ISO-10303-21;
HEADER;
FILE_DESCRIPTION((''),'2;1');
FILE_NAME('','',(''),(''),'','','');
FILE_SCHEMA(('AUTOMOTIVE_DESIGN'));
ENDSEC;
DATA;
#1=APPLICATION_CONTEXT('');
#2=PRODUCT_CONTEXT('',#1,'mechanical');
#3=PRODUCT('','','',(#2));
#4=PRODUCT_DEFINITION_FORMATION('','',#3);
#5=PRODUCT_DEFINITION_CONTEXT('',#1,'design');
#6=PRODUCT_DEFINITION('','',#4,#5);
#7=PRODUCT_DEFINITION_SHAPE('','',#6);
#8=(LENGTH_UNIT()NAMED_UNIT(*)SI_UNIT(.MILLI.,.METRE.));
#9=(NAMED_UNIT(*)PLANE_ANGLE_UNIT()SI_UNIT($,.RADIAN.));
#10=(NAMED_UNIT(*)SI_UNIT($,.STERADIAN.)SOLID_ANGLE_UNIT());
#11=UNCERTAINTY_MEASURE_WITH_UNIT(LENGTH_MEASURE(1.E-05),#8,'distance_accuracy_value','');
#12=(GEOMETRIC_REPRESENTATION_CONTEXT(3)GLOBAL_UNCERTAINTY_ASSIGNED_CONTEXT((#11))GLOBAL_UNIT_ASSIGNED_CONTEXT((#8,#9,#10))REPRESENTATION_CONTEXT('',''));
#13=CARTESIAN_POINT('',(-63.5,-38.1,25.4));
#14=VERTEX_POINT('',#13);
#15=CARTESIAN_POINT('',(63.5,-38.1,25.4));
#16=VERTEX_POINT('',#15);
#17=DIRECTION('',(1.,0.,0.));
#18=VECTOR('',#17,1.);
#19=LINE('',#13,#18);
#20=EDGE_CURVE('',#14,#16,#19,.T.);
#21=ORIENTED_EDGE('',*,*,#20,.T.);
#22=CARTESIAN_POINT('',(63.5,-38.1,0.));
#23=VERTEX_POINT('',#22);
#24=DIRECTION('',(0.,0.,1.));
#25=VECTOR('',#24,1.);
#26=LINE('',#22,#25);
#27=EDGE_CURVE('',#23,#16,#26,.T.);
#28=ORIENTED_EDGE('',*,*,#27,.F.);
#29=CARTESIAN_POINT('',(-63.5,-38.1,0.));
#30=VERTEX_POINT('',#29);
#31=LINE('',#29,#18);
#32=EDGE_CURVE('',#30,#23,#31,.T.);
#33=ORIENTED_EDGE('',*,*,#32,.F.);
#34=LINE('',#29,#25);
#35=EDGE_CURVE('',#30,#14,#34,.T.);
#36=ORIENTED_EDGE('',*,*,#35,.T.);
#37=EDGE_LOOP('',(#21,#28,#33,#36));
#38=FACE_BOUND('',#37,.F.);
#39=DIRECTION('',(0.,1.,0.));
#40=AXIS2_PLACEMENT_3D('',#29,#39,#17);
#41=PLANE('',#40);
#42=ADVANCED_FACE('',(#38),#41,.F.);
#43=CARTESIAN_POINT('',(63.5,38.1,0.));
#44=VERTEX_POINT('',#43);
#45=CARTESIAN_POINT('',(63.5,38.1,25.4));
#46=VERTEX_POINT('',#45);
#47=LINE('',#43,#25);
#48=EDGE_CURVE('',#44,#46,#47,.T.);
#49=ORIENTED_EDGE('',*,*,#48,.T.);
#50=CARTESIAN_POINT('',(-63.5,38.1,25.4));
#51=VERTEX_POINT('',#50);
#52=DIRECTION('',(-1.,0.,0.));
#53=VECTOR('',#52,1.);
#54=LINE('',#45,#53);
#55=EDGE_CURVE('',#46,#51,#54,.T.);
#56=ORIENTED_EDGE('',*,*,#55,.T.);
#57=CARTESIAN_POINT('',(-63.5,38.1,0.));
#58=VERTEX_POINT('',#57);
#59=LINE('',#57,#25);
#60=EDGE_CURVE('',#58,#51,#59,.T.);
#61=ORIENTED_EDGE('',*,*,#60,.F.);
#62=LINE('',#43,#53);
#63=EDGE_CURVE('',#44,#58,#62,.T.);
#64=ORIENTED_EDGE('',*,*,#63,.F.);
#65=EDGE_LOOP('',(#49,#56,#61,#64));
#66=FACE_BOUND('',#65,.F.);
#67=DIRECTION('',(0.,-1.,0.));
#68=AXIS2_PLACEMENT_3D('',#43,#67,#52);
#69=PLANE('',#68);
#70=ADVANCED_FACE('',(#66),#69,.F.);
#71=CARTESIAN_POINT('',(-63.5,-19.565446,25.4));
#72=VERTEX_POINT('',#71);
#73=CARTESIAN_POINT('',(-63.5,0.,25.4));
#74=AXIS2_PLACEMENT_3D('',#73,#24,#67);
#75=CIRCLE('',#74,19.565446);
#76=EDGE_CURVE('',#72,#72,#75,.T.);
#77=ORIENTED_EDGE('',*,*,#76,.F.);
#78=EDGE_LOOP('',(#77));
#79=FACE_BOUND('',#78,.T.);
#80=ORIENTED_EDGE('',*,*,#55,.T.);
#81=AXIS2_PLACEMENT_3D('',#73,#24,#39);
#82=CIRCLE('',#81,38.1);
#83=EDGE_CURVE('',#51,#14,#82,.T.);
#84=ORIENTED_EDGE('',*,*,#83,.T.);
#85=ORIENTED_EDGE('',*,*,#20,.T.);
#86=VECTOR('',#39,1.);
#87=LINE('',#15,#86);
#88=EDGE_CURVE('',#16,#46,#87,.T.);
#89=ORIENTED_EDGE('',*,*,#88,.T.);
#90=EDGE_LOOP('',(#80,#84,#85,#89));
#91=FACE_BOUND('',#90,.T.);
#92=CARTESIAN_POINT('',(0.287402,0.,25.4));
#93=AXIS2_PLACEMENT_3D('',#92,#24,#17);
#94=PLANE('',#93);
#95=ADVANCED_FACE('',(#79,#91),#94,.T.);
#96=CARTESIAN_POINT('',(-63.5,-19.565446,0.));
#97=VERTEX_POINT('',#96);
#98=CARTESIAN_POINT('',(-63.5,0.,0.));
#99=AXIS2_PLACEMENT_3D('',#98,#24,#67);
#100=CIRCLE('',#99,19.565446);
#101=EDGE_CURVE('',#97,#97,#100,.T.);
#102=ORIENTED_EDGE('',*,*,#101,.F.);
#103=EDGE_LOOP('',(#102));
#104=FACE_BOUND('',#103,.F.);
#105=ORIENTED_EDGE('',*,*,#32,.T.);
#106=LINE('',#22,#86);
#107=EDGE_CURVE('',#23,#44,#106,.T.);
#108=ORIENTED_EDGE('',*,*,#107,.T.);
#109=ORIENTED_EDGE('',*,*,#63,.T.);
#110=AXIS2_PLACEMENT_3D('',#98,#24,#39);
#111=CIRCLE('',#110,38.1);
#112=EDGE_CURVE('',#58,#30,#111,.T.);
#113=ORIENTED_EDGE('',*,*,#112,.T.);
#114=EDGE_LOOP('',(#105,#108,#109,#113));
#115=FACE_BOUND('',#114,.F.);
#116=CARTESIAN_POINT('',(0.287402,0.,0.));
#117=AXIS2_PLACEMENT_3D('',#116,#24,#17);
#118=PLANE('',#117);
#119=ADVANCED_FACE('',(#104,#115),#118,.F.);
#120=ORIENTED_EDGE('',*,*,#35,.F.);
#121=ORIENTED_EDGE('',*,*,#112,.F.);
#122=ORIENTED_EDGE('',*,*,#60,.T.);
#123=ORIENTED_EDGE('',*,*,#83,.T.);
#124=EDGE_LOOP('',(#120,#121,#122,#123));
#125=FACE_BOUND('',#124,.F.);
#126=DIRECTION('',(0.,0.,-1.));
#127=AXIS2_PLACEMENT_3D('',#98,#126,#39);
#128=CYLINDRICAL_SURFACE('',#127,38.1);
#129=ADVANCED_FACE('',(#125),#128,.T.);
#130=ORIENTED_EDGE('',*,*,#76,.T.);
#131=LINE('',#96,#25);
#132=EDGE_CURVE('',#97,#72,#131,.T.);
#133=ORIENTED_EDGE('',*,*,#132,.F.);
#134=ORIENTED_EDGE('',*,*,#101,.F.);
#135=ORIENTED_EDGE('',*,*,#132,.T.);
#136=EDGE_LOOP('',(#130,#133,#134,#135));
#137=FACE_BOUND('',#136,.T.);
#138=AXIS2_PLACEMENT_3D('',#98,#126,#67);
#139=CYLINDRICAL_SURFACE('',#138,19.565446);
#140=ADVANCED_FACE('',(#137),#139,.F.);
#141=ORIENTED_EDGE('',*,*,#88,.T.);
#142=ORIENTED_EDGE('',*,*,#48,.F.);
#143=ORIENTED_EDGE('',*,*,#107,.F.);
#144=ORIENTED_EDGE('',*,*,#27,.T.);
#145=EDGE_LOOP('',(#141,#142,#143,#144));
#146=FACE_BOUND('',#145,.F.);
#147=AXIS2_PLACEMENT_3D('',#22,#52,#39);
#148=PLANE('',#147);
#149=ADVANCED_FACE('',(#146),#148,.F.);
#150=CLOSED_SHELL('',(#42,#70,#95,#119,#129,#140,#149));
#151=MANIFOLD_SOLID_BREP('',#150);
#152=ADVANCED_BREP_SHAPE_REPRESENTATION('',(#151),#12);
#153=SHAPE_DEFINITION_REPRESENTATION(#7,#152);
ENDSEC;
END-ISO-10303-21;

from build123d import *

# Parameters (mm, degrees)
F1_DEPTH = 25.4
F2_DEPTH = 25.4
F3_DEPTH = 25.4


with BuildPart() as f1:
    # F0 (on Top) → F1 (new body)
    with BuildSketch(Plane.XY):
        with BuildLine():
            Line((-63.5, 19.565446079), (-63.5, -19.565446079))
            ThreePointArc((-63.5, -19.565446079), (-49.6651404006, -13.8348595994), (-43.934553921, 0))
            ThreePointArc((-43.934553921, 0), (-49.6651404006, 13.8348595994), (-63.5, 19.565446079))
        make_face()
        with BuildLine():
            ThreePointArc((-63.5, 19.565446079), (-83.065446079, 0), (-63.5, -19.565446079))
            Line((-63.5, -19.565446079), (-63.5, 19.565446079))
        make_face()
    extrude(amount=F1_DEPTH)

    # F0 (on Top) → F2 (join)
    with BuildSketch(Plane.XY):
        with BuildLine():
            Line((-63.5, -38.1), (63.5, -38.1))
            Line((63.5, -38.1), (63.5, 38.1))
            Line((63.5, 38.1), (-63.5, 38.1))
            ThreePointArc((-63.5, 38.1), (-36.5592316368, 26.9407683632), (-25.4, 0))
            ThreePointArc((-25.4, 0), (-36.5592316368, -26.9407683632), (-63.5, -38.1))
        make_face()
        with BuildLine():
            ThreePointArc((-63.5, 38.1), (-101.6, 0), (-63.5, -38.1))
            Line((-63.5, -38.1), (-63.5, -19.565446079))
            ThreePointArc((-63.5, -19.565446079), (-83.065446079, 0), (-63.5, 19.565446079))
            Line((-63.5, 19.565446079), (-63.5, 38.1))
        make_face()
        with BuildLine():
            Line((-63.5, -19.565446079), (-63.5, -38.1))
            ThreePointArc((-63.5, -38.1), (-36.5592316368, -26.9407683632), (-25.4, 0))
            ThreePointArc((-25.4, 0), (-36.5592316368, 26.9407683632), (-63.5, 38.1))
            Line((-63.5, 38.1), (-63.5, 19.565446079))
            ThreePointArc((-63.5, 19.565446079), (-49.6651404006, 13.8348595994), (-43.934553921, 0))
            ThreePointArc((-43.934553921, 0), (-49.6651404006, -13.8348595994), (-63.5, -19.565446079))
        make_face()
    extrude(amount=F2_DEPTH)

    # F0 (on Top) → F3 (cut)
    with BuildSketch(Plane.XY):
        with BuildLine():
            ThreePointArc((-63.5, 19.565446079), (-83.065446079, 0), (-63.5, -19.565446079))
            Line((-63.5, -19.565446079), (-63.5, 19.565446079))
        make_face()
        with BuildLine():
            Line((-63.5, 19.565446079), (-63.5, -19.565446079))
            ThreePointArc((-63.5, -19.565446079), (-49.6651404006, -13.8348595994), (-43.934553921, 0))
            ThreePointArc((-43.934553921, 0), (-49.6651404006, 13.8348595994), (-63.5, 19.565446079))
        make_face()
    extrude(amount=F3_DEPTH, mode=Mode.SUBTRACT)


solid = f1.part
